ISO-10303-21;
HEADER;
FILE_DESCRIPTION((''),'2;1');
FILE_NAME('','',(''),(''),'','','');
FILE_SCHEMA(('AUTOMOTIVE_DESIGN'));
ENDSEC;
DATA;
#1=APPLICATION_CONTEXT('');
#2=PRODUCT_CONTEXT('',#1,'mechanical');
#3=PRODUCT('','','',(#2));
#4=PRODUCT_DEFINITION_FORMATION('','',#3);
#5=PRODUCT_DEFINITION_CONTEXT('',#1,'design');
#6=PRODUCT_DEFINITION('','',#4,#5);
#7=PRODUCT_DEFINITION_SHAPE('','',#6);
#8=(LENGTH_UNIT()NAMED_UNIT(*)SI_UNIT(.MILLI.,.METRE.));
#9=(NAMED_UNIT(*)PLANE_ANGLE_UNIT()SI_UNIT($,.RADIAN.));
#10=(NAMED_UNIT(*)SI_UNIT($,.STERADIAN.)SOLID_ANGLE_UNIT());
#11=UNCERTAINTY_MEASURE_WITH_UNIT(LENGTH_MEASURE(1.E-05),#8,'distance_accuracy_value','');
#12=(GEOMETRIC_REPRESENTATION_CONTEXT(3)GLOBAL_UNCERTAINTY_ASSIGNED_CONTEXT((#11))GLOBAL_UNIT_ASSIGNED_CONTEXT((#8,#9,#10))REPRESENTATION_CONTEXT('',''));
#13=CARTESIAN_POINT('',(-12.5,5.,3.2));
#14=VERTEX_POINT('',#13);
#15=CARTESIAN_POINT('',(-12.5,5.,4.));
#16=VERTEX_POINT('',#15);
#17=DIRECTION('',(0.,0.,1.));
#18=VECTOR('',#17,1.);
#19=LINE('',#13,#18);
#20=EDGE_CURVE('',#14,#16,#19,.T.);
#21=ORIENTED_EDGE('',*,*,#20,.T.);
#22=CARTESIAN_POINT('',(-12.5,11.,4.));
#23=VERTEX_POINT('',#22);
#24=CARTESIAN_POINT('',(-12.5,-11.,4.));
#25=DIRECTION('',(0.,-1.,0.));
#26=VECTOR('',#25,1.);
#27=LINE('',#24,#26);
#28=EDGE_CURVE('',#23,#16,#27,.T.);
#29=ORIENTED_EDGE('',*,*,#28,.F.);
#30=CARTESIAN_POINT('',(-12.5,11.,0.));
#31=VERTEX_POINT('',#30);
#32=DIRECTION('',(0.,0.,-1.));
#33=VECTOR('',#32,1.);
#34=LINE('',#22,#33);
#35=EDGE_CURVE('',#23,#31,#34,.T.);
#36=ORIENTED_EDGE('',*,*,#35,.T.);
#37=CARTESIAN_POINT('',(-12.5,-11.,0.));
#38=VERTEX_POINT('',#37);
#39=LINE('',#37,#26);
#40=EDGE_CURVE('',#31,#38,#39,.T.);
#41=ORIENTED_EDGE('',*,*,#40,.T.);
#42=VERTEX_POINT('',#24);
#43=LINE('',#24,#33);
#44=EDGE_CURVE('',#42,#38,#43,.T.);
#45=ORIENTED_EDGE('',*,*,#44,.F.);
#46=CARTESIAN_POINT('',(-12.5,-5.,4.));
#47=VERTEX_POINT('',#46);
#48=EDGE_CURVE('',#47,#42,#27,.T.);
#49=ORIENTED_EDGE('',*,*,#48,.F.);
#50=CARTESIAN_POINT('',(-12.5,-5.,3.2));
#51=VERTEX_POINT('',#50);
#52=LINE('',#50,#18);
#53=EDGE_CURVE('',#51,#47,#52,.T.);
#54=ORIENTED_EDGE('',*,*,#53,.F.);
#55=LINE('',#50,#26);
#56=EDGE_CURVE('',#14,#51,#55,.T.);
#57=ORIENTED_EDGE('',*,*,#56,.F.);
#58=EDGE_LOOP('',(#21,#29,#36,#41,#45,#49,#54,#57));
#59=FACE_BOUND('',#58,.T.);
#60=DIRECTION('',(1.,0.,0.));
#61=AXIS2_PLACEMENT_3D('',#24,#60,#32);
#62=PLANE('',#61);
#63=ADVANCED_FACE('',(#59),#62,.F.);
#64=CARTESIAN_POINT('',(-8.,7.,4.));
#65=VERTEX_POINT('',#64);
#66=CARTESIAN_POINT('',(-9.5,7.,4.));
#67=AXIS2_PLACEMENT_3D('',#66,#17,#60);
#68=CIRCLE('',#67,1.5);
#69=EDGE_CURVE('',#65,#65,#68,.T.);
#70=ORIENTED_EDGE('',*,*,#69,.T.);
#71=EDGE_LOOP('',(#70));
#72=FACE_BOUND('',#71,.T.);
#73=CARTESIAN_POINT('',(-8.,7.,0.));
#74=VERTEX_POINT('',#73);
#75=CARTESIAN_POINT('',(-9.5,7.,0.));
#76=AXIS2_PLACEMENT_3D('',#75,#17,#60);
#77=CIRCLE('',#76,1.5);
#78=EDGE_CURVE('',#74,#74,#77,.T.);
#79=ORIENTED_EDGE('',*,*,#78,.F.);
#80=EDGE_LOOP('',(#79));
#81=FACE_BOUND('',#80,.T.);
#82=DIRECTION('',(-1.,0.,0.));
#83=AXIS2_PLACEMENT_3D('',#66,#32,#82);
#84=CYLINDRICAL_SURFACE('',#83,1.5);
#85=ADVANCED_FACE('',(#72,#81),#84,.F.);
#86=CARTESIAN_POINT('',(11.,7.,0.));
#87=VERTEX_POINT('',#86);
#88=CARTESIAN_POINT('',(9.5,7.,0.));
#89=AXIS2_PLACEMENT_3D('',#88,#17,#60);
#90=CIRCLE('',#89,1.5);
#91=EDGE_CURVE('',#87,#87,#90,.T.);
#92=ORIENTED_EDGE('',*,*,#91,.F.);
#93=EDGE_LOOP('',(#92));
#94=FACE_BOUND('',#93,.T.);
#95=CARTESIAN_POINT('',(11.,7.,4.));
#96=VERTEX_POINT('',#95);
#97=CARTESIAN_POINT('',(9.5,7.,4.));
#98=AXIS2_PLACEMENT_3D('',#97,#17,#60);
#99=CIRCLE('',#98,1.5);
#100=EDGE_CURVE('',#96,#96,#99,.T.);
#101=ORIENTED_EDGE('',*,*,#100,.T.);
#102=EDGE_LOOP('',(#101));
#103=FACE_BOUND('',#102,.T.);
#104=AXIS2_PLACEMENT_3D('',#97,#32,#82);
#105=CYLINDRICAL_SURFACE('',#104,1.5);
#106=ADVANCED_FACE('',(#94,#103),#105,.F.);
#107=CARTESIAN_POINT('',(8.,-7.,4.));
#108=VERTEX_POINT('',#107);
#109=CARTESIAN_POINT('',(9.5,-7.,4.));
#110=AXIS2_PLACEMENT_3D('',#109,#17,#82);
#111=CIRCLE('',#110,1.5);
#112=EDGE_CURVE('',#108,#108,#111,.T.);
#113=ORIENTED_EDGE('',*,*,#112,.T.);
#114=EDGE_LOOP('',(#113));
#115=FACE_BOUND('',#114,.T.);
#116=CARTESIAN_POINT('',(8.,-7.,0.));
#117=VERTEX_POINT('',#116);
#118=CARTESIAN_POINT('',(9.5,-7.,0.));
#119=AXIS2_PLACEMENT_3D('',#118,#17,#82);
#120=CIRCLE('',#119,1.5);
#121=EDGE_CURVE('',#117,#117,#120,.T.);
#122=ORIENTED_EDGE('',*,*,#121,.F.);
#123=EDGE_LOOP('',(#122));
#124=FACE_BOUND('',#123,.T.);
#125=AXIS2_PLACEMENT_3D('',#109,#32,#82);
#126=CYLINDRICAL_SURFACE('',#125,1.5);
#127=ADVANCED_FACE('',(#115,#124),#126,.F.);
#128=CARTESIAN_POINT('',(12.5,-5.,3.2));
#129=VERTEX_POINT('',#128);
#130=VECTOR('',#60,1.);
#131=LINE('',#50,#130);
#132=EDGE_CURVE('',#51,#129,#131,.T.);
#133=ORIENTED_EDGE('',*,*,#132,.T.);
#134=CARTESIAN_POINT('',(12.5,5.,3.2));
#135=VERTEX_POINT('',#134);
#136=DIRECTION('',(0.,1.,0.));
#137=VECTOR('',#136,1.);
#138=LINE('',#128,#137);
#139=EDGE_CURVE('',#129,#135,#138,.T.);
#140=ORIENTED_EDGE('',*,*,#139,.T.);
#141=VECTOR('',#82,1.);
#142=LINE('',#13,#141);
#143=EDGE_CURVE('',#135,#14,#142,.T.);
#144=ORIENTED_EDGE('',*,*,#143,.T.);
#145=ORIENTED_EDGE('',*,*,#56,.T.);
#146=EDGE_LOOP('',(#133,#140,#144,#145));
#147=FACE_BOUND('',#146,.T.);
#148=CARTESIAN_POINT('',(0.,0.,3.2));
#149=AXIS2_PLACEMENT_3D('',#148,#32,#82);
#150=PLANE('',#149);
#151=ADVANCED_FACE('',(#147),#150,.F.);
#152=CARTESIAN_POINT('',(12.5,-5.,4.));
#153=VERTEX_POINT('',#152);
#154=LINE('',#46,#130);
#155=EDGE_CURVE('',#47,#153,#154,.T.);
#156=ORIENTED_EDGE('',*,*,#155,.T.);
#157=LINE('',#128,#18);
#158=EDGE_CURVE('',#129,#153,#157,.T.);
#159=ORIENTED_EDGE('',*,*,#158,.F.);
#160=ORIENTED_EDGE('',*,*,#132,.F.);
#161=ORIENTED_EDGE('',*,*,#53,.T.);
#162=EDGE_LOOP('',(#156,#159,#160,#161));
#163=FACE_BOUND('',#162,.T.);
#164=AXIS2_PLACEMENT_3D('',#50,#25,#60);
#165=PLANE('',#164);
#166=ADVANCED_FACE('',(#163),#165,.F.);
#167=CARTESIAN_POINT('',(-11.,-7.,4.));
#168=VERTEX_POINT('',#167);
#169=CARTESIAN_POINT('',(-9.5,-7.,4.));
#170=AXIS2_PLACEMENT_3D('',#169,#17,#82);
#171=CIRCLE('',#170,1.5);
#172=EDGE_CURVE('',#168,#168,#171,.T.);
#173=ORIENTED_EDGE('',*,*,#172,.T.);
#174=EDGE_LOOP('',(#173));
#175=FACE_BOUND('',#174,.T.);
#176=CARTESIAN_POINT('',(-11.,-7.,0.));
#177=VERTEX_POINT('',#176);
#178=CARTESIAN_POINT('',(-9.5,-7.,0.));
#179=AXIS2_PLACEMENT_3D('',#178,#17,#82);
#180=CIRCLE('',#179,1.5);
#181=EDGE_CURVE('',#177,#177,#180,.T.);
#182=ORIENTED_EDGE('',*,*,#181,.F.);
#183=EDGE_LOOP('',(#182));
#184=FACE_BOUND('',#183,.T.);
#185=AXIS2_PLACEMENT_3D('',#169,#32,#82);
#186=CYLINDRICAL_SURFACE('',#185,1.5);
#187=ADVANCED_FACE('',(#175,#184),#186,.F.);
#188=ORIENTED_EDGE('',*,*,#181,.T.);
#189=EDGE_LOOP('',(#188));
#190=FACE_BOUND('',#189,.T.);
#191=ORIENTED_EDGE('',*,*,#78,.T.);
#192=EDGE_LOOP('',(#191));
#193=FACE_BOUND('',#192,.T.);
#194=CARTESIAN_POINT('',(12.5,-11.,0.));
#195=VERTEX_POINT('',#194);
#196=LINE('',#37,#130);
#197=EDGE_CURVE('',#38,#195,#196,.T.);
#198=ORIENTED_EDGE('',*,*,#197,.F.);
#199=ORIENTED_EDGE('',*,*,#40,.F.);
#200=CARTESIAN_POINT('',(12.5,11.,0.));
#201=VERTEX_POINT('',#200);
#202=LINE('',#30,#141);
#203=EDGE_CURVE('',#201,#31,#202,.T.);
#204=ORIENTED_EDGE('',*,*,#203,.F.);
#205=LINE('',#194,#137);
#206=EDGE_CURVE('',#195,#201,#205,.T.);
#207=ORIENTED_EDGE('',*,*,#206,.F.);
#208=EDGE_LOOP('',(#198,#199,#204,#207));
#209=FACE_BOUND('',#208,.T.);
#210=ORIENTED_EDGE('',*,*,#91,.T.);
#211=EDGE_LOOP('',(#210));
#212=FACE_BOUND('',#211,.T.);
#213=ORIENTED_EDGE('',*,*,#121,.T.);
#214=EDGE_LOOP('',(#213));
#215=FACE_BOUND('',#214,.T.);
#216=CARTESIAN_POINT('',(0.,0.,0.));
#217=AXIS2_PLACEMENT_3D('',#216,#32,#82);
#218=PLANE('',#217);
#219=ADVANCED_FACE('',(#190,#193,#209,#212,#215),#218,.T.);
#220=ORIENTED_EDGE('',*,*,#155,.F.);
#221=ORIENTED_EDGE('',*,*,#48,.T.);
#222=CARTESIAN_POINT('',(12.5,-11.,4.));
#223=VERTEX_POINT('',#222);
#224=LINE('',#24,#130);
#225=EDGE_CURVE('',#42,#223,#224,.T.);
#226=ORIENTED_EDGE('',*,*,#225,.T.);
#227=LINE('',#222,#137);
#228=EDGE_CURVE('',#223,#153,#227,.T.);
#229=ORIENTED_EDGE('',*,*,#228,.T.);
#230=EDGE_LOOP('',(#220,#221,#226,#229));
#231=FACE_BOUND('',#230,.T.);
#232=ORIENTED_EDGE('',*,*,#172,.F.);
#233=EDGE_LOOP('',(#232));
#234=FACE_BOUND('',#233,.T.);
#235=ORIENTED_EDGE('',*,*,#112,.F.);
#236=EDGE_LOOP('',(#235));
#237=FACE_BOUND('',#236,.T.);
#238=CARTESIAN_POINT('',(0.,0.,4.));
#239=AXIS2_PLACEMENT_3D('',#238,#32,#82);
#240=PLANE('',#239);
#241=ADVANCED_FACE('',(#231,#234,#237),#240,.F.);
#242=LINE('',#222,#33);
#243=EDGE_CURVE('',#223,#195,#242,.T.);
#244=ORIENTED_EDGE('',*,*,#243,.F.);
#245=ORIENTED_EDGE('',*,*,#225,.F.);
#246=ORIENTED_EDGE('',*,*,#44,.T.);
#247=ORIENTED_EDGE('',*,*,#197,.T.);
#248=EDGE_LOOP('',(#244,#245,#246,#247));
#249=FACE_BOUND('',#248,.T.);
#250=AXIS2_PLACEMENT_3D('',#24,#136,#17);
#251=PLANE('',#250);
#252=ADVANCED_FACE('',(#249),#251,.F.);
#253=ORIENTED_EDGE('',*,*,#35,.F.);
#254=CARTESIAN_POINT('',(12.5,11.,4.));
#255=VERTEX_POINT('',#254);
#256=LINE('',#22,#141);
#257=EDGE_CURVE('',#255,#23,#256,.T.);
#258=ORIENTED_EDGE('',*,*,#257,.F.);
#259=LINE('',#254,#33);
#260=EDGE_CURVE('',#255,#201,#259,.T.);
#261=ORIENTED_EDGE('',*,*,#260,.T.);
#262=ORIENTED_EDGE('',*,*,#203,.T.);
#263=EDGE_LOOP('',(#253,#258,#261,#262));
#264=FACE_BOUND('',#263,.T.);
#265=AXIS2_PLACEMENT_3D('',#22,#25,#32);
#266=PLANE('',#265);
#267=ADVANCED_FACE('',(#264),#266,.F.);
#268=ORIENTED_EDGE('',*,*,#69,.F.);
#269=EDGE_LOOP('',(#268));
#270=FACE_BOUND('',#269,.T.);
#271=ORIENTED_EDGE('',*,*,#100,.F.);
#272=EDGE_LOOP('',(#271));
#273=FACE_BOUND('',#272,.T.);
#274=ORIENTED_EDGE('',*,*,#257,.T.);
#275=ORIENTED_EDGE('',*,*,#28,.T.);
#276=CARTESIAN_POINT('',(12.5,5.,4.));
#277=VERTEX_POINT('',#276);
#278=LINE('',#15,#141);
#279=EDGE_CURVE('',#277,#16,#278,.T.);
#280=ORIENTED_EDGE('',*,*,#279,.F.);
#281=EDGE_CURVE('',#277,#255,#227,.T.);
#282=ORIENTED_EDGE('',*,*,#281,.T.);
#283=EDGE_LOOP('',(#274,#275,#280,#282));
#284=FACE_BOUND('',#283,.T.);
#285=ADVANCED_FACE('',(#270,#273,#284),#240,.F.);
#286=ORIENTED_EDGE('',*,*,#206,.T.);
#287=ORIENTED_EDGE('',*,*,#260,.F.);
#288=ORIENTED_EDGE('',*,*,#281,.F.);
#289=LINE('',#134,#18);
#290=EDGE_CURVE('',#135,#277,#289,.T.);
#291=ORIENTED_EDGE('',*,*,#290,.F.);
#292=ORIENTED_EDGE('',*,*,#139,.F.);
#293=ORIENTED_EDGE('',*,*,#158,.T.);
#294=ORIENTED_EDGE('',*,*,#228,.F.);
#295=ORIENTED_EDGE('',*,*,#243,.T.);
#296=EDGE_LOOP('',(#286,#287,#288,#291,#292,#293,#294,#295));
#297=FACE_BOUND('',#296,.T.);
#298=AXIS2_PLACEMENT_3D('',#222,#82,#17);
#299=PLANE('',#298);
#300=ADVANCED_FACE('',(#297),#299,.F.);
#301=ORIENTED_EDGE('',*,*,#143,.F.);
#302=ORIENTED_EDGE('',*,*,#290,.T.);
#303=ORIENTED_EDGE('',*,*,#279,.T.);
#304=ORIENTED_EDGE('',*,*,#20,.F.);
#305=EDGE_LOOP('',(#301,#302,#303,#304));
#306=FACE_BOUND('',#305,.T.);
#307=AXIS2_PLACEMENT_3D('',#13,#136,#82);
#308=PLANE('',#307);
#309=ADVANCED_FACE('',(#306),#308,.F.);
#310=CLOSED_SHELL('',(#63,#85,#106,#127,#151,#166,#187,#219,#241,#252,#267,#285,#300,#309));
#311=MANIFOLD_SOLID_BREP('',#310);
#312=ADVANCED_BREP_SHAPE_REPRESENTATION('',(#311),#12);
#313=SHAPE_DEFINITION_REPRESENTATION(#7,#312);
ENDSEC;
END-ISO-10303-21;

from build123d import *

# Parameters (mm, degrees)
SKETCH_1_W          = 25
SKETCH_1_H          = 22
SKETCH_1_R          = 1.5
EXTRUDE_1_DEPTH     = 4
SKETCH_2_W          = 25
SKETCH_2_H          = 10
CUT_EXTRUDE_1_DEPTH = 0.8


with BuildPart() as part:
    # 草图1 → 凸台-拉伸1 (new body)
    with BuildSketch(Plane.XY):
        Rectangle(SKETCH_1_W, SKETCH_1_H)
        with Locations((-9.5, 7)):
            Circle(SKETCH_1_R, mode=Mode.SUBTRACT)
        with Locations((9.5, 7)):
            Circle(SKETCH_1_R, mode=Mode.SUBTRACT)
        with Locations(Location((9.5, -7, 0), (0, 0, 180))):
            Circle(SKETCH_1_R, mode=Mode.SUBTRACT)
        with Locations(Location((-9.5, -7, 0), (0, 0, 180))):
            Circle(SKETCH_1_R, mode=Mode.SUBTRACT)
    extrude(amount=EXTRUDE_1_DEPTH)

    # 草图2 → 切除-拉伸1 (cut)
    with BuildSketch(Plane.XY.offset(4)):
        Rectangle(SKETCH_2_W, SKETCH_2_H)
    extrude(amount=-CUT_EXTRUDE_1_DEPTH, mode=Mode.SUBTRACT)


solid = part.part
